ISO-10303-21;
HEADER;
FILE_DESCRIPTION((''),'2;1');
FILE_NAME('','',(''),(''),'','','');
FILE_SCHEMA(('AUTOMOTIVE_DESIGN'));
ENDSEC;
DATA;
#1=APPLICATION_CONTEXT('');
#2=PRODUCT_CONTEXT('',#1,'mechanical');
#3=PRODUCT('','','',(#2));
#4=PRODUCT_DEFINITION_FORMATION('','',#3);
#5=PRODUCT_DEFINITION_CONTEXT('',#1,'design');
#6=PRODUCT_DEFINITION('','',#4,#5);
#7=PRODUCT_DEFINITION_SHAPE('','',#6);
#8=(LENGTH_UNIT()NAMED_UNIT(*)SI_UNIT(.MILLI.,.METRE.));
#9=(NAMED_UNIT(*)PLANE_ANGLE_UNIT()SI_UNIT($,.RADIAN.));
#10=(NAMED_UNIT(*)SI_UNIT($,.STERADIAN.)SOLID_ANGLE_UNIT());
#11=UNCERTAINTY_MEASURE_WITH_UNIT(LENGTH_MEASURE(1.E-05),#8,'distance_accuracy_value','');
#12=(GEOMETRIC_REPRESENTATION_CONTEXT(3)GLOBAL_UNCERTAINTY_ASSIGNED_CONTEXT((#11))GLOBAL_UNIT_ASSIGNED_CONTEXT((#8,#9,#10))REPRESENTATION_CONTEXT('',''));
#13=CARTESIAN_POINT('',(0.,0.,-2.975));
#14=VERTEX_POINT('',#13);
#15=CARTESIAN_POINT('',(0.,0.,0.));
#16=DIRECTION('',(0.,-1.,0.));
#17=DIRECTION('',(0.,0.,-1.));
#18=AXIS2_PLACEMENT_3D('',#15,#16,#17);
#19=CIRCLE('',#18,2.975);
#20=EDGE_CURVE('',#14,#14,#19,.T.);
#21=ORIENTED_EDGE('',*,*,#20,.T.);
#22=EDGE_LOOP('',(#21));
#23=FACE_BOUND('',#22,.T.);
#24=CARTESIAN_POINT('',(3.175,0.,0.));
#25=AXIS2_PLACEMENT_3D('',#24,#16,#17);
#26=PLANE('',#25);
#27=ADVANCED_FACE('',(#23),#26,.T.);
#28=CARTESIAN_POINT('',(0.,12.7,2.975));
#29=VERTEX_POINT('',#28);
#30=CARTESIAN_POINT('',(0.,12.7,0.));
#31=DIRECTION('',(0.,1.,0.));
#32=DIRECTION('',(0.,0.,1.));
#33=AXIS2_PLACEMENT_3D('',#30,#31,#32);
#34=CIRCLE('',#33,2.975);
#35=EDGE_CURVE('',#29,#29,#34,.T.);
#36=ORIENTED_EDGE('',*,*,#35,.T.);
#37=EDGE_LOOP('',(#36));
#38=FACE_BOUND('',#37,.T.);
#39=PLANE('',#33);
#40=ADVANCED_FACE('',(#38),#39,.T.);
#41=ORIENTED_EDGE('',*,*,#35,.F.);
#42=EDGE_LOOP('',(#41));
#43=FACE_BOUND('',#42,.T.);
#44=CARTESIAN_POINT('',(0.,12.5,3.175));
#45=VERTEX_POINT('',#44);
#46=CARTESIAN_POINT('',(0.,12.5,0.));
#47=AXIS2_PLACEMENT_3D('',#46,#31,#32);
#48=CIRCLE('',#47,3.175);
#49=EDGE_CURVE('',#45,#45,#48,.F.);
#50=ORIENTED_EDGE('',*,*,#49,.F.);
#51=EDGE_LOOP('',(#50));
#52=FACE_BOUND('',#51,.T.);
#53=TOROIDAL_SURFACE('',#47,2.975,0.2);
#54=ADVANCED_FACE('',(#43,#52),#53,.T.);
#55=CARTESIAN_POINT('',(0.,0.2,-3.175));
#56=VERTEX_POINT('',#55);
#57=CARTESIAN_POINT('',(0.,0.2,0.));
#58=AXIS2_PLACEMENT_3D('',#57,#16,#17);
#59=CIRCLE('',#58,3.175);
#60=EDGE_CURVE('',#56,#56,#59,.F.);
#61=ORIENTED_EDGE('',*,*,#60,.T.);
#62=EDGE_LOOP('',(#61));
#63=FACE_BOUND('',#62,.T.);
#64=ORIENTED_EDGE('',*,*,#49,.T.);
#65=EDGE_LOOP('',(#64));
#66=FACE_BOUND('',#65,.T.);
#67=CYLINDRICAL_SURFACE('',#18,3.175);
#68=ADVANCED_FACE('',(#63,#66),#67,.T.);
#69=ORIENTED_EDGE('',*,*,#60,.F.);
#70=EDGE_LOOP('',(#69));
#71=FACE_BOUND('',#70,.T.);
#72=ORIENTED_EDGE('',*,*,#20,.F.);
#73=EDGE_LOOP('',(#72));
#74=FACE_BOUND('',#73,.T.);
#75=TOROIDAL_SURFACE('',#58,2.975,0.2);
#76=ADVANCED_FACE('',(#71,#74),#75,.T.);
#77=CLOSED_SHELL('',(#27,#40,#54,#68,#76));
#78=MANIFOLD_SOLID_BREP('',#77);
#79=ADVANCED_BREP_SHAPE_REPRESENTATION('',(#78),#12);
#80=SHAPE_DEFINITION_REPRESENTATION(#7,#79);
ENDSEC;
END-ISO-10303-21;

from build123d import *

# Parameters (mm, degrees)
SKETCH1_W = 3.175
SKETCH1_H = 12.7
FILLET1_R = 0.2


with BuildPart() as part:
    # Sketch1 → Revolve1 (revolve)
    with BuildSketch(Plane.XY, mode=Mode.PRIVATE) as revolve1_sk:
        with Locations((1.5875, 6.35)):
            Rectangle(SKETCH1_W, SKETCH1_H)
    revolve(revolve1_sk.sketch.rotate(Axis((0, 0, 0), (0, 1, 0)), 90), axis=Axis((0, 0, 0), (0, 1, 0)))

    # Fillet1
    fillet1_edges = [part.edges().sort_by_distance(p)[0] for p in [
        (0, 0, 3.175),
        (0, 12.7, 3.175),
    ]]
    fillet(fillet1_edges, radius=FILLET1_R)


solid = part.part
